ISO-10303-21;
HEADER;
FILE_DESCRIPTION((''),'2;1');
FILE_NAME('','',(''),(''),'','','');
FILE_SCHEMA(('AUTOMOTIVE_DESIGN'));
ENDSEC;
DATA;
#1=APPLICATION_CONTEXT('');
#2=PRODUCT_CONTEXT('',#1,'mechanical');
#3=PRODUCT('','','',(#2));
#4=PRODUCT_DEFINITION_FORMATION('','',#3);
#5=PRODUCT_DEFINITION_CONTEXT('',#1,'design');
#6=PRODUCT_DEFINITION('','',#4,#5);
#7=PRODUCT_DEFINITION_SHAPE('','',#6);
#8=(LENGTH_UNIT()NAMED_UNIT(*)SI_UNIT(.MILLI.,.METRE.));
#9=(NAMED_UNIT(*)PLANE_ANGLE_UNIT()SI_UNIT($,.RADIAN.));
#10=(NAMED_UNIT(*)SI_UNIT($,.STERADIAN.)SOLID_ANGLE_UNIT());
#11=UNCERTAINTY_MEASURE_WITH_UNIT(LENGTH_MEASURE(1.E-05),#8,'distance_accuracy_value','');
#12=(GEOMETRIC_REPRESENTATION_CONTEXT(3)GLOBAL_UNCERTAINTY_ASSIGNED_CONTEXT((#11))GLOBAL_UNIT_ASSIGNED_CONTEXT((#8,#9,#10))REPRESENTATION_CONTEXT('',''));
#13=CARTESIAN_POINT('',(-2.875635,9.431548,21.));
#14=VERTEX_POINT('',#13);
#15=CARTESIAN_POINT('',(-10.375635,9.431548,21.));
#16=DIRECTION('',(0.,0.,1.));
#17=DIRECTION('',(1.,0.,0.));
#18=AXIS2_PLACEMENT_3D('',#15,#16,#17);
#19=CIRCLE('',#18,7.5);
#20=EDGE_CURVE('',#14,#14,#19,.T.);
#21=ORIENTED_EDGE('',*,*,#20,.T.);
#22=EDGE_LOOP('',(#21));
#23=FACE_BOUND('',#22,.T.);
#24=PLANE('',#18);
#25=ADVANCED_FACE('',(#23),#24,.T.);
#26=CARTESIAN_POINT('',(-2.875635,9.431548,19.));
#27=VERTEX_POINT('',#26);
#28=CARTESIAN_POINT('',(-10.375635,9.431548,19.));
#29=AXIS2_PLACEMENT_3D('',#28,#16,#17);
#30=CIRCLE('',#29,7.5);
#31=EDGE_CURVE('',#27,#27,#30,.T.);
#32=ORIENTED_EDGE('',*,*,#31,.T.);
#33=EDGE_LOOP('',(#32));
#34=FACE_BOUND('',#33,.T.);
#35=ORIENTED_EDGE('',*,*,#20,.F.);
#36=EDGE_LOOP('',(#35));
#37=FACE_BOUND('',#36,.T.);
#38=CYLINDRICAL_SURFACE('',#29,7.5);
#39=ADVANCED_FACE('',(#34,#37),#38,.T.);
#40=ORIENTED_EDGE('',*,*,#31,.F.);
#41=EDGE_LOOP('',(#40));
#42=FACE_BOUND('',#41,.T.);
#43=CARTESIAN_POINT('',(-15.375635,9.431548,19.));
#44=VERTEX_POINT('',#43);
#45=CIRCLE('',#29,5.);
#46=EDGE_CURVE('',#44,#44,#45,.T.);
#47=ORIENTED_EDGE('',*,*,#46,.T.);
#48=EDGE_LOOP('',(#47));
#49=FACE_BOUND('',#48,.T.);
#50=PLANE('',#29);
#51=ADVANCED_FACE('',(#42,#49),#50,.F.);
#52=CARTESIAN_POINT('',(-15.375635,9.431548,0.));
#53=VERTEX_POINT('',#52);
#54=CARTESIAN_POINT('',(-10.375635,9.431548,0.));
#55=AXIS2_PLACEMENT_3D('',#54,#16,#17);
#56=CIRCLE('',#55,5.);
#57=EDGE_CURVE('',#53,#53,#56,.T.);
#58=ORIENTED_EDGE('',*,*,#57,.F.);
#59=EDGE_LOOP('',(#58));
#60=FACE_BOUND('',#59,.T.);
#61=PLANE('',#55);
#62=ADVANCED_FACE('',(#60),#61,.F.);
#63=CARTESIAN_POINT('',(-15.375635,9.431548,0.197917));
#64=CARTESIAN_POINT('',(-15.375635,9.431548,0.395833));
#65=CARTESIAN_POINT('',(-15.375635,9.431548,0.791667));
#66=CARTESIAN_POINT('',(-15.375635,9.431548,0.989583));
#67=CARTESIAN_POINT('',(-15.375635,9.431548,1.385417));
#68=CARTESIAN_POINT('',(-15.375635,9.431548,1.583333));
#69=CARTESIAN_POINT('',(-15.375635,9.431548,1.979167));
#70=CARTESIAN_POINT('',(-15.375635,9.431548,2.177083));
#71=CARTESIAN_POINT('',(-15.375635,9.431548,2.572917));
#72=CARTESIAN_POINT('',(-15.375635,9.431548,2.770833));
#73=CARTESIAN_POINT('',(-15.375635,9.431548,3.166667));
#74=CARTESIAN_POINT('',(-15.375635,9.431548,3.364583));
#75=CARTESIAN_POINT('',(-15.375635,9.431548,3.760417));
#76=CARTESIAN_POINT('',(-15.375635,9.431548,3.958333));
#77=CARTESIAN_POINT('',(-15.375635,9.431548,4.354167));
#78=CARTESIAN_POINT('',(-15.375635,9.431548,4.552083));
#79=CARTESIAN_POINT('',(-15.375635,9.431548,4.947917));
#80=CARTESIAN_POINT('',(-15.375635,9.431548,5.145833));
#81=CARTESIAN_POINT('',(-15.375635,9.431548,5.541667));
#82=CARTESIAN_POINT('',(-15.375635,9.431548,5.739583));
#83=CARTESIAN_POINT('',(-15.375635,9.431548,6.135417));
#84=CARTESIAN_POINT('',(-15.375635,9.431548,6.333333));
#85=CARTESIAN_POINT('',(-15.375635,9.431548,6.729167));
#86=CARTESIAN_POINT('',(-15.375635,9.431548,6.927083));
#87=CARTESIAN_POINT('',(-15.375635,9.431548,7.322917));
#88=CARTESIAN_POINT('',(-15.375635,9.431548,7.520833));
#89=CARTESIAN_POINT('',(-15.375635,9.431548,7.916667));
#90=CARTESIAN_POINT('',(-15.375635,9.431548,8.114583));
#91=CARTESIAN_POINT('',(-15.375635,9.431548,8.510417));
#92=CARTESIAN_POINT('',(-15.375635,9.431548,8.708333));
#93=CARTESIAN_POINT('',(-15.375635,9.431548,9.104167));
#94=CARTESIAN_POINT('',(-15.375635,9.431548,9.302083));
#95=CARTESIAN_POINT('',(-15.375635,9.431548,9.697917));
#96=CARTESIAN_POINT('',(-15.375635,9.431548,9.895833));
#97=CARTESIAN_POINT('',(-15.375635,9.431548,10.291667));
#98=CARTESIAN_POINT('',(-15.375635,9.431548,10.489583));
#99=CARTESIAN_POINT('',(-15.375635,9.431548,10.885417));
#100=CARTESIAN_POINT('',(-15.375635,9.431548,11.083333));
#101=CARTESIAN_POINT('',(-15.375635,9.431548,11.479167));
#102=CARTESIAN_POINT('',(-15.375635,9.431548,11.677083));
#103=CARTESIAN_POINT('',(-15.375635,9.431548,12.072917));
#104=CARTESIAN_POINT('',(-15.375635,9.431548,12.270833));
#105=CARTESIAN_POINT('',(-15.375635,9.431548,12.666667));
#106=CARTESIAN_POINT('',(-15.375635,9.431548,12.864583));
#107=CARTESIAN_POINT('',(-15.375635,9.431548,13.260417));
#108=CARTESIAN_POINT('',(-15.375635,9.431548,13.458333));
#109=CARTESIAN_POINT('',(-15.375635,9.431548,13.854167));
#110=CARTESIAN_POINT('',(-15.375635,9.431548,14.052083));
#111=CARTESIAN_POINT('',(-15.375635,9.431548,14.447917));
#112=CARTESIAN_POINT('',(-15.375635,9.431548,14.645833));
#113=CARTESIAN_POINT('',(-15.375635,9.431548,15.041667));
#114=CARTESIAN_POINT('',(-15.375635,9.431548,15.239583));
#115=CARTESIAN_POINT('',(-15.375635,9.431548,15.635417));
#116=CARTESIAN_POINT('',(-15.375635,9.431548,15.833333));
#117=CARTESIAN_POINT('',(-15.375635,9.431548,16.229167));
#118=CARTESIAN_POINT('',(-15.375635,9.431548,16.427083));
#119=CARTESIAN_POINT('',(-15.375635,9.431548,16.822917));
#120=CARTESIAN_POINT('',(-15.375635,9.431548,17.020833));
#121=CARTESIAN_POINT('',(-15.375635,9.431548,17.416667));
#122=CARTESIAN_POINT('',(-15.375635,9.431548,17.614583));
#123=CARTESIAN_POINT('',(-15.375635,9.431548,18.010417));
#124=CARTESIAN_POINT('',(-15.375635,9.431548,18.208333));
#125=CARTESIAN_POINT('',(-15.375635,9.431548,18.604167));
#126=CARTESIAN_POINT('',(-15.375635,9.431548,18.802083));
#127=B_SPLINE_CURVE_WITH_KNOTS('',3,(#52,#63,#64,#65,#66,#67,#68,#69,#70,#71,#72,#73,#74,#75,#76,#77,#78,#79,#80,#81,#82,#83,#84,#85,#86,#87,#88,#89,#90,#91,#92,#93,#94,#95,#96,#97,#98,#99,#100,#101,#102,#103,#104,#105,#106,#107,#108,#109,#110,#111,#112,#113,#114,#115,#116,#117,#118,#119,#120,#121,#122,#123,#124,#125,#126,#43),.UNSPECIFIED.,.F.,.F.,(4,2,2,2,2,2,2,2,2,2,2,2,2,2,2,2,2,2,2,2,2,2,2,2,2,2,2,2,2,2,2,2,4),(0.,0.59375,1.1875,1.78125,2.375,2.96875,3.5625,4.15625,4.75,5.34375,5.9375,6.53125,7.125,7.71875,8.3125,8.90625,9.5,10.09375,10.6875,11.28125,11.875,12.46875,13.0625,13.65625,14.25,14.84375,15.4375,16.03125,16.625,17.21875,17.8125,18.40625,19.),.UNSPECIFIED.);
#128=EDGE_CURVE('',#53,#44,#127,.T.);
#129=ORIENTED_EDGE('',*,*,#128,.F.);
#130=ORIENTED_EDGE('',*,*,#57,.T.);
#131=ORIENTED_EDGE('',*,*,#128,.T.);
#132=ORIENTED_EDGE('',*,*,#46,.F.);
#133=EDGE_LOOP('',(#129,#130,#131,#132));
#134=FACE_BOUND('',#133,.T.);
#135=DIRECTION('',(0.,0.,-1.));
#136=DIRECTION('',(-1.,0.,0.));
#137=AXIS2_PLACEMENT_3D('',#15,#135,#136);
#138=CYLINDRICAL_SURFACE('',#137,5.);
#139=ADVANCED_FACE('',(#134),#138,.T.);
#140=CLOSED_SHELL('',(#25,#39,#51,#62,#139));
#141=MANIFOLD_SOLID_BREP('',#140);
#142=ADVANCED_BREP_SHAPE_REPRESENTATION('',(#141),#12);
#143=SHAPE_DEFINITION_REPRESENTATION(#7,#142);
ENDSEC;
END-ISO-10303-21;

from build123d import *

# Parameters (mm, degrees)
ESQUISSE1_R        = 5
BOSS_EXTRU_1_DEPTH = 21
ESQUISSE2_R        = 7.5
BOSS_EXTRU_2_DEPTH = 2


with BuildPart() as part:
    # Esquisse1 → Boss.-Extru.1 (new body)
    with BuildSketch(Plane.XY):
        with Locations(Location((-10.375635214, 9.431547538, 0), (0, 0, 180))):
            Circle(ESQUISSE1_R)
    extrude(amount=BOSS_EXTRU_1_DEPTH)

    # Esquisse2 → Boss.-Extru.2 (add)
    with BuildSketch(Plane.XY.offset(21)):
        with Locations((-10.375635214, 9.431547538)):
            Circle(ESQUISSE2_R)
    extrude(amount=-BOSS_EXTRU_2_DEPTH)


solid = part.part
